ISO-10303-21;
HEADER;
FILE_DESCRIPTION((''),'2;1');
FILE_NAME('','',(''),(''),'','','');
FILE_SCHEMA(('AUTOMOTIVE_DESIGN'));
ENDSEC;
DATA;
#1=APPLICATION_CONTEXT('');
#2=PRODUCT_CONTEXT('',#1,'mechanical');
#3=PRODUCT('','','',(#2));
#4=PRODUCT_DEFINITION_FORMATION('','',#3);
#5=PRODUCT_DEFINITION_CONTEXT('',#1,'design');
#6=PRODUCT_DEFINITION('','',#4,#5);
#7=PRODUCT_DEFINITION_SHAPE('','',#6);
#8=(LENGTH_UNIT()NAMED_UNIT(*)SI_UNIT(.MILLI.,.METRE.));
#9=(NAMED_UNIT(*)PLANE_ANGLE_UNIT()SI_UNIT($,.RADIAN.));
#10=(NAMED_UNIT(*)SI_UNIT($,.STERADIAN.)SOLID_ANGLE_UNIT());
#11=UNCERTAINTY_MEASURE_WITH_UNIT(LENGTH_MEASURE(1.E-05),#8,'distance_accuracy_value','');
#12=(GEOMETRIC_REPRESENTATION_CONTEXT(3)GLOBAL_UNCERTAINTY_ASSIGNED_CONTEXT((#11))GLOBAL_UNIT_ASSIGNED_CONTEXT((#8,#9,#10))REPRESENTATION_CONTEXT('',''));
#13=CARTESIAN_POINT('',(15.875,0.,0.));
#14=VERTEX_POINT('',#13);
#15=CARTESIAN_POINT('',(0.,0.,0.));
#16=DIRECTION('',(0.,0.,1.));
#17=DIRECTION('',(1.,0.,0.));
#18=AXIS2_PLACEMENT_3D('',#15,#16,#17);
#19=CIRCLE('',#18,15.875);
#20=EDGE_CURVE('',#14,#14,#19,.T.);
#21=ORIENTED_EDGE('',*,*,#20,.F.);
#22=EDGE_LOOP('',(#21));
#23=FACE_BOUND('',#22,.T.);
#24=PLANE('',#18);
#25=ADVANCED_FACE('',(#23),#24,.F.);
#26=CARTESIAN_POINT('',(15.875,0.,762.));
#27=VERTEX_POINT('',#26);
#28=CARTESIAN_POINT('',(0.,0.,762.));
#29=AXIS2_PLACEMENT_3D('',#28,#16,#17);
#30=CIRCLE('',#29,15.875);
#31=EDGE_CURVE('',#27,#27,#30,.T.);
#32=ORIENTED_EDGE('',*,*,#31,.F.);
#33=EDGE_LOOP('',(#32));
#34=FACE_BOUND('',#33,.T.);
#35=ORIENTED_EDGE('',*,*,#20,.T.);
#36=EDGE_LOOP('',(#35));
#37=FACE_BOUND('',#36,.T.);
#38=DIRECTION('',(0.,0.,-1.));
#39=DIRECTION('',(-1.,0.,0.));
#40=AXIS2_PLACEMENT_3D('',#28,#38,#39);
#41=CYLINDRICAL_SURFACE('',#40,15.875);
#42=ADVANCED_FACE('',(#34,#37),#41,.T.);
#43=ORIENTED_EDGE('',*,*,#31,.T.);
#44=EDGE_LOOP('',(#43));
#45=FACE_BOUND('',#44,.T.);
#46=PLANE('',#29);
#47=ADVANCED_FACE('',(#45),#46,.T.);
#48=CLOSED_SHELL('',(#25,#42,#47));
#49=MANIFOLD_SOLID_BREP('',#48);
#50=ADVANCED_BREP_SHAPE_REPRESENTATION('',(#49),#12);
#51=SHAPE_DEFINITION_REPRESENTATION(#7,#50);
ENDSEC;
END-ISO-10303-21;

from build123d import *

# Parameters (mm, degrees)
SKETCH1_R           = 15.875
BOSS_EXTRUDE1_DEPTH = 762


with BuildPart() as part:
    # Sketch1 → Boss-Extrude1 (new body)
    with BuildSketch(Plane.XY):
        Circle(SKETCH1_R)
    extrude(amount=BOSS_EXTRUDE1_DEPTH)


solid = part.part
